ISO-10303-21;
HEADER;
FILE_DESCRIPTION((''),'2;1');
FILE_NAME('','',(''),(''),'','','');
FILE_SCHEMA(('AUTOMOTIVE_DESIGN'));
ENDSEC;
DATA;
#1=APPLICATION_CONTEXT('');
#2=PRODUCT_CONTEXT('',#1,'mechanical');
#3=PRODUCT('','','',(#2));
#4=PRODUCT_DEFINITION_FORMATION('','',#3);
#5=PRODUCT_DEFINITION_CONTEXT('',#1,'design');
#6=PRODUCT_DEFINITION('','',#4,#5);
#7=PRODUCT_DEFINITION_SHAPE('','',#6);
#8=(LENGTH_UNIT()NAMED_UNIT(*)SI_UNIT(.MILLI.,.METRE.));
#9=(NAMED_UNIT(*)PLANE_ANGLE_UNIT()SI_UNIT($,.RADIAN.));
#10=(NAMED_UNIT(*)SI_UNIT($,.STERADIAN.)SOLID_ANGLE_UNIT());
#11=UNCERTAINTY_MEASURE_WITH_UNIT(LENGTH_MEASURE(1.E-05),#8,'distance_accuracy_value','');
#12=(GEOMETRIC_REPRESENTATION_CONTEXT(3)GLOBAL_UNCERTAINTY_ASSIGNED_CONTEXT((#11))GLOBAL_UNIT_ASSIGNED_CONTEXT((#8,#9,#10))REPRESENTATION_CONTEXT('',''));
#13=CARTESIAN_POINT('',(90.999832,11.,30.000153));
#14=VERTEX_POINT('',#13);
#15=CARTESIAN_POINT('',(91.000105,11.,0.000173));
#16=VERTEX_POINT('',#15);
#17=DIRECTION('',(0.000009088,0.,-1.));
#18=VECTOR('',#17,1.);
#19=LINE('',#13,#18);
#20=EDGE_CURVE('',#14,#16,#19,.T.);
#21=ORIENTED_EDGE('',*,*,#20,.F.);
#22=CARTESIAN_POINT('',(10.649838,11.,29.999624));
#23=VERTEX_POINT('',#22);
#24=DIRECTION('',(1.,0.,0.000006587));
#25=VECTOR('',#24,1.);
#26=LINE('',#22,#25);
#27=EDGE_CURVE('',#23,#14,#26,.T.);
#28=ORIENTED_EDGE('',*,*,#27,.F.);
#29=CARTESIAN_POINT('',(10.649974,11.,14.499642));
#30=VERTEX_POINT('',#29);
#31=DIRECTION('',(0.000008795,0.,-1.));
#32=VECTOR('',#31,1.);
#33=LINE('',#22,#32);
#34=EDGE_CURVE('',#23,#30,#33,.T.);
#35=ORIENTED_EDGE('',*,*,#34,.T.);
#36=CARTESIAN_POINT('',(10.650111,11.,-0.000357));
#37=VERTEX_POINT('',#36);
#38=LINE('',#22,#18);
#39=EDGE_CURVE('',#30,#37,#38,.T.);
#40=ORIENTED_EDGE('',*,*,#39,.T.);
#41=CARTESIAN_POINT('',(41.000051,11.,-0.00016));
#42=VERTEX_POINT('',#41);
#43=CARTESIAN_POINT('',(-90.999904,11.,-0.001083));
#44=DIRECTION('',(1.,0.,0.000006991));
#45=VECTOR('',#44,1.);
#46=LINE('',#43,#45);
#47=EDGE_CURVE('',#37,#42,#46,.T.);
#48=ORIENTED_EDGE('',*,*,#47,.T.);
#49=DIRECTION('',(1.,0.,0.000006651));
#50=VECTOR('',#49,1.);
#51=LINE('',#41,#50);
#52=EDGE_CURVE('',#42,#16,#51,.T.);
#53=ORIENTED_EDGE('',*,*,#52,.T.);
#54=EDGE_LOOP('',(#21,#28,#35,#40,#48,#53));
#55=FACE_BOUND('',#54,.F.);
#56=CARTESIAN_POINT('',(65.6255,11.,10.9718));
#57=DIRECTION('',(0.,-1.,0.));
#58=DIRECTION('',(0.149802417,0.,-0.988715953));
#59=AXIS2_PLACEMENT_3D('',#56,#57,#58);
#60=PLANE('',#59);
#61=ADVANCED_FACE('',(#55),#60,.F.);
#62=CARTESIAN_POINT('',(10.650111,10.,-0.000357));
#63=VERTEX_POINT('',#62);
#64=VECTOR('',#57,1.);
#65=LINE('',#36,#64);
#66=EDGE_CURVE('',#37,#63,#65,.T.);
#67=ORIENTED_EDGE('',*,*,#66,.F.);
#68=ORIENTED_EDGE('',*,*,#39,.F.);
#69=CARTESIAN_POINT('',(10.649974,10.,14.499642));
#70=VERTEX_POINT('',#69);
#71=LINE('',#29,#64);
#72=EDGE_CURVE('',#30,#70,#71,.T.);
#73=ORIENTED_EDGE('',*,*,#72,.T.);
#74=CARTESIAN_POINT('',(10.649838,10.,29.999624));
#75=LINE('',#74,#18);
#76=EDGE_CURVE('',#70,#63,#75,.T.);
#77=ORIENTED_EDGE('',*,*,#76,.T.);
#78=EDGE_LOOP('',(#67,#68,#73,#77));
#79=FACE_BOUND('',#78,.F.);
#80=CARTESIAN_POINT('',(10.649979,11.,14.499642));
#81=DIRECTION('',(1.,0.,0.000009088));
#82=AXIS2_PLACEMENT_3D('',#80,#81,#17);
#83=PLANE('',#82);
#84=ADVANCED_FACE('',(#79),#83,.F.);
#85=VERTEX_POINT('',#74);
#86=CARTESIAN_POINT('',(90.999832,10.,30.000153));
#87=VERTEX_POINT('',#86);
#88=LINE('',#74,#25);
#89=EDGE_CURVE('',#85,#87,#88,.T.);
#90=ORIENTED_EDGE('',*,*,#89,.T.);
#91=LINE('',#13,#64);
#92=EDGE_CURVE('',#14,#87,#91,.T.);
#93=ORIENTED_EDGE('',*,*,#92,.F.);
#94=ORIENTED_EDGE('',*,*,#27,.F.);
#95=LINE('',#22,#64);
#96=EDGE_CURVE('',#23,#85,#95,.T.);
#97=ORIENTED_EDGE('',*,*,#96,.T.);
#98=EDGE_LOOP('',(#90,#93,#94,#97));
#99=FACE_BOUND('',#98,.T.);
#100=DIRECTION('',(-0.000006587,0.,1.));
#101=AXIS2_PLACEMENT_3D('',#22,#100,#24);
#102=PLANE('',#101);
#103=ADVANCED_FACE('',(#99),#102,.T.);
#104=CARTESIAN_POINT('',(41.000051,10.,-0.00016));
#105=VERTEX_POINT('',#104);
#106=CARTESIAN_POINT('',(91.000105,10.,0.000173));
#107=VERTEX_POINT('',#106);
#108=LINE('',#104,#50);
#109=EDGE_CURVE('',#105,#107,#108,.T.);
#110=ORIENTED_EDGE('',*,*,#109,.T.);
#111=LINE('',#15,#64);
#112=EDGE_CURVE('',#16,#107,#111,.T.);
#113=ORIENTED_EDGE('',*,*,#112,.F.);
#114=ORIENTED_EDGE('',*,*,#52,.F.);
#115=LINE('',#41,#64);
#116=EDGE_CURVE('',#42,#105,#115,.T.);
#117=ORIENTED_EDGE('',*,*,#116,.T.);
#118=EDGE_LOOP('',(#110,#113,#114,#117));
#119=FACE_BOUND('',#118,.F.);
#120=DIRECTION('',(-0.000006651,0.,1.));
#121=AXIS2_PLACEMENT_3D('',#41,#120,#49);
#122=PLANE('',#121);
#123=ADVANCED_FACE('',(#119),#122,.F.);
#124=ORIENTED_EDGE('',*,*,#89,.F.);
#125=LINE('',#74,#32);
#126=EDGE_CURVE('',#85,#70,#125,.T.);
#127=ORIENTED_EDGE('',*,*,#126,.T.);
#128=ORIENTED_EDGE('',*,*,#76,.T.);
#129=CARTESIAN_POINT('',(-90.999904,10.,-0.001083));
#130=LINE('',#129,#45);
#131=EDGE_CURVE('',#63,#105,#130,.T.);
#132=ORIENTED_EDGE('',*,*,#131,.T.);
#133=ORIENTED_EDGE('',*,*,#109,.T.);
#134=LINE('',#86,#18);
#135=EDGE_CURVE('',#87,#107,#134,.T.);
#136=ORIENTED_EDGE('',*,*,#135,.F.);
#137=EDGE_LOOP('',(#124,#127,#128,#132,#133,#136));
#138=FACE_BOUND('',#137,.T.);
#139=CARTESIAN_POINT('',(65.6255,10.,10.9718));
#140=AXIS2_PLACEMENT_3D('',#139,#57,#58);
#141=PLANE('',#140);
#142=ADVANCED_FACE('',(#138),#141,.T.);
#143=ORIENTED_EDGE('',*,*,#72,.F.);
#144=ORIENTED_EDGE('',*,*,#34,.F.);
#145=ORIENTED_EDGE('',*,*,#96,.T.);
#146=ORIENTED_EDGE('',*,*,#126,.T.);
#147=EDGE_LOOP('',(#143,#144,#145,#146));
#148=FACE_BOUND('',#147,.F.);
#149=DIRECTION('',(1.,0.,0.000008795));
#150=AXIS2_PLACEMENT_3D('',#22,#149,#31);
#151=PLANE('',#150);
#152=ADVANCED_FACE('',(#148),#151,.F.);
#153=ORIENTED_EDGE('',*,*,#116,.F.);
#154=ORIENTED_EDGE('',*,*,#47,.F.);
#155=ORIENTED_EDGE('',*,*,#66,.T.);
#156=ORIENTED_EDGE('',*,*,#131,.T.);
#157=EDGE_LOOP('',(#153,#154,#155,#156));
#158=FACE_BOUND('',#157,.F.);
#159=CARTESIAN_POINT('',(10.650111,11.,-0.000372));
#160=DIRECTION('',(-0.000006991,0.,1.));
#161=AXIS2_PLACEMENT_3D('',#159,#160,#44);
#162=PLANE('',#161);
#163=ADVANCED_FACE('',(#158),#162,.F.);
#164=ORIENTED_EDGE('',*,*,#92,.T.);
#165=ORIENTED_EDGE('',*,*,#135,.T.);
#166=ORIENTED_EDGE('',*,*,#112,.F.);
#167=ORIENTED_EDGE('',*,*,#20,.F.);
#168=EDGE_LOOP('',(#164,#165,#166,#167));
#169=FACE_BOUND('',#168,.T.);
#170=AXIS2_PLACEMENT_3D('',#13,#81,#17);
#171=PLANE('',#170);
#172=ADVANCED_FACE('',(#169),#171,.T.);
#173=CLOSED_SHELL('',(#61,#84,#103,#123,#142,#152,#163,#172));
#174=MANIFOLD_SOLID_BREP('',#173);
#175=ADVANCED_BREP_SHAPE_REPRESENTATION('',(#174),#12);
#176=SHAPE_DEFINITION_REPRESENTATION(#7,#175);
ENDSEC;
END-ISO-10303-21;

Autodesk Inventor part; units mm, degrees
ref_plane "YZ Plane" through (0, 0, 0) normal (1, 0, 0) x (0, 1, 0)
ref_plane "XZ Plane" through (0, 0, 0) normal (0, 1, 0) x (-1, 0, 0)
ref_plane "XY Plane" through (0, 0, 0) normal (0, 0, 1) x (1, 0, 0)
ref_plane "Work Plane1" through (66, 11, 8.5) normal (0, -1, 0) x (0.1498, 0, -0.9887)
ref_plane "Work Plane2" through (65.6255, 11, 10.9718) normal (0, -1, 0) x (0.1498, 0, -0.9887)
sketch "Sketch2" plane through (65.6255, 11, 10.9718) normal (0, -1, 0) x (0.1498, 0, -0.9887)
  line L0 (-9.1533, -157.0261) -> (10.6197, -26.5155) projected
  line L1 (10.6197, -26.5155) -> (7.1592, -25.9912) projected
  line L2 (-12.6138, -156.5018) -> (7.1592, -25.9912) projected
  line L3 (-9.1533, -157.0261) -> (-12.6138, -156.5018) projected
  line L4 (10.6197, -26.5155) -> (18.1095, 22.9204) projected
  line L5 (18.1095, 22.9204) -> (14.649, 23.4447) projected
  line L6 (7.1592, -25.9912) -> (14.649, 23.4447) projected
  line L7 (10.6197, -26.5155) -> (7.1592, -25.9912) projected
  circle A0 centre (2.9555, -29.9965) radius 2 projected
  line L8 (-27.0486, -51.5049) -> (-11.7235, -53.8267) projected
  line L9 (-27.0486, -51.5049) -> (-15.0125, 27.9385) projected
  line L10 (-27.0486, -51.5049) -> (-15.0125, 27.9385)
  line L11 (-15.0125, 27.9385) -> (14.649, 23.4447)
  line L12 (14.649, 23.4447) -> (2.6129, -55.9987)
  line L13 (-27.0486, -51.5049) -> (2.6129, -55.9987)
  point P0 (1.0176, -66.5286)
  point P1 (-11.7235, -53.8267)
extrude "Extrusion1" add sketch "Sketch2" along normal blind 1 contours L2 L13 L8 L9 L11 L6 | A0
properties part number "right_gear_holder"
